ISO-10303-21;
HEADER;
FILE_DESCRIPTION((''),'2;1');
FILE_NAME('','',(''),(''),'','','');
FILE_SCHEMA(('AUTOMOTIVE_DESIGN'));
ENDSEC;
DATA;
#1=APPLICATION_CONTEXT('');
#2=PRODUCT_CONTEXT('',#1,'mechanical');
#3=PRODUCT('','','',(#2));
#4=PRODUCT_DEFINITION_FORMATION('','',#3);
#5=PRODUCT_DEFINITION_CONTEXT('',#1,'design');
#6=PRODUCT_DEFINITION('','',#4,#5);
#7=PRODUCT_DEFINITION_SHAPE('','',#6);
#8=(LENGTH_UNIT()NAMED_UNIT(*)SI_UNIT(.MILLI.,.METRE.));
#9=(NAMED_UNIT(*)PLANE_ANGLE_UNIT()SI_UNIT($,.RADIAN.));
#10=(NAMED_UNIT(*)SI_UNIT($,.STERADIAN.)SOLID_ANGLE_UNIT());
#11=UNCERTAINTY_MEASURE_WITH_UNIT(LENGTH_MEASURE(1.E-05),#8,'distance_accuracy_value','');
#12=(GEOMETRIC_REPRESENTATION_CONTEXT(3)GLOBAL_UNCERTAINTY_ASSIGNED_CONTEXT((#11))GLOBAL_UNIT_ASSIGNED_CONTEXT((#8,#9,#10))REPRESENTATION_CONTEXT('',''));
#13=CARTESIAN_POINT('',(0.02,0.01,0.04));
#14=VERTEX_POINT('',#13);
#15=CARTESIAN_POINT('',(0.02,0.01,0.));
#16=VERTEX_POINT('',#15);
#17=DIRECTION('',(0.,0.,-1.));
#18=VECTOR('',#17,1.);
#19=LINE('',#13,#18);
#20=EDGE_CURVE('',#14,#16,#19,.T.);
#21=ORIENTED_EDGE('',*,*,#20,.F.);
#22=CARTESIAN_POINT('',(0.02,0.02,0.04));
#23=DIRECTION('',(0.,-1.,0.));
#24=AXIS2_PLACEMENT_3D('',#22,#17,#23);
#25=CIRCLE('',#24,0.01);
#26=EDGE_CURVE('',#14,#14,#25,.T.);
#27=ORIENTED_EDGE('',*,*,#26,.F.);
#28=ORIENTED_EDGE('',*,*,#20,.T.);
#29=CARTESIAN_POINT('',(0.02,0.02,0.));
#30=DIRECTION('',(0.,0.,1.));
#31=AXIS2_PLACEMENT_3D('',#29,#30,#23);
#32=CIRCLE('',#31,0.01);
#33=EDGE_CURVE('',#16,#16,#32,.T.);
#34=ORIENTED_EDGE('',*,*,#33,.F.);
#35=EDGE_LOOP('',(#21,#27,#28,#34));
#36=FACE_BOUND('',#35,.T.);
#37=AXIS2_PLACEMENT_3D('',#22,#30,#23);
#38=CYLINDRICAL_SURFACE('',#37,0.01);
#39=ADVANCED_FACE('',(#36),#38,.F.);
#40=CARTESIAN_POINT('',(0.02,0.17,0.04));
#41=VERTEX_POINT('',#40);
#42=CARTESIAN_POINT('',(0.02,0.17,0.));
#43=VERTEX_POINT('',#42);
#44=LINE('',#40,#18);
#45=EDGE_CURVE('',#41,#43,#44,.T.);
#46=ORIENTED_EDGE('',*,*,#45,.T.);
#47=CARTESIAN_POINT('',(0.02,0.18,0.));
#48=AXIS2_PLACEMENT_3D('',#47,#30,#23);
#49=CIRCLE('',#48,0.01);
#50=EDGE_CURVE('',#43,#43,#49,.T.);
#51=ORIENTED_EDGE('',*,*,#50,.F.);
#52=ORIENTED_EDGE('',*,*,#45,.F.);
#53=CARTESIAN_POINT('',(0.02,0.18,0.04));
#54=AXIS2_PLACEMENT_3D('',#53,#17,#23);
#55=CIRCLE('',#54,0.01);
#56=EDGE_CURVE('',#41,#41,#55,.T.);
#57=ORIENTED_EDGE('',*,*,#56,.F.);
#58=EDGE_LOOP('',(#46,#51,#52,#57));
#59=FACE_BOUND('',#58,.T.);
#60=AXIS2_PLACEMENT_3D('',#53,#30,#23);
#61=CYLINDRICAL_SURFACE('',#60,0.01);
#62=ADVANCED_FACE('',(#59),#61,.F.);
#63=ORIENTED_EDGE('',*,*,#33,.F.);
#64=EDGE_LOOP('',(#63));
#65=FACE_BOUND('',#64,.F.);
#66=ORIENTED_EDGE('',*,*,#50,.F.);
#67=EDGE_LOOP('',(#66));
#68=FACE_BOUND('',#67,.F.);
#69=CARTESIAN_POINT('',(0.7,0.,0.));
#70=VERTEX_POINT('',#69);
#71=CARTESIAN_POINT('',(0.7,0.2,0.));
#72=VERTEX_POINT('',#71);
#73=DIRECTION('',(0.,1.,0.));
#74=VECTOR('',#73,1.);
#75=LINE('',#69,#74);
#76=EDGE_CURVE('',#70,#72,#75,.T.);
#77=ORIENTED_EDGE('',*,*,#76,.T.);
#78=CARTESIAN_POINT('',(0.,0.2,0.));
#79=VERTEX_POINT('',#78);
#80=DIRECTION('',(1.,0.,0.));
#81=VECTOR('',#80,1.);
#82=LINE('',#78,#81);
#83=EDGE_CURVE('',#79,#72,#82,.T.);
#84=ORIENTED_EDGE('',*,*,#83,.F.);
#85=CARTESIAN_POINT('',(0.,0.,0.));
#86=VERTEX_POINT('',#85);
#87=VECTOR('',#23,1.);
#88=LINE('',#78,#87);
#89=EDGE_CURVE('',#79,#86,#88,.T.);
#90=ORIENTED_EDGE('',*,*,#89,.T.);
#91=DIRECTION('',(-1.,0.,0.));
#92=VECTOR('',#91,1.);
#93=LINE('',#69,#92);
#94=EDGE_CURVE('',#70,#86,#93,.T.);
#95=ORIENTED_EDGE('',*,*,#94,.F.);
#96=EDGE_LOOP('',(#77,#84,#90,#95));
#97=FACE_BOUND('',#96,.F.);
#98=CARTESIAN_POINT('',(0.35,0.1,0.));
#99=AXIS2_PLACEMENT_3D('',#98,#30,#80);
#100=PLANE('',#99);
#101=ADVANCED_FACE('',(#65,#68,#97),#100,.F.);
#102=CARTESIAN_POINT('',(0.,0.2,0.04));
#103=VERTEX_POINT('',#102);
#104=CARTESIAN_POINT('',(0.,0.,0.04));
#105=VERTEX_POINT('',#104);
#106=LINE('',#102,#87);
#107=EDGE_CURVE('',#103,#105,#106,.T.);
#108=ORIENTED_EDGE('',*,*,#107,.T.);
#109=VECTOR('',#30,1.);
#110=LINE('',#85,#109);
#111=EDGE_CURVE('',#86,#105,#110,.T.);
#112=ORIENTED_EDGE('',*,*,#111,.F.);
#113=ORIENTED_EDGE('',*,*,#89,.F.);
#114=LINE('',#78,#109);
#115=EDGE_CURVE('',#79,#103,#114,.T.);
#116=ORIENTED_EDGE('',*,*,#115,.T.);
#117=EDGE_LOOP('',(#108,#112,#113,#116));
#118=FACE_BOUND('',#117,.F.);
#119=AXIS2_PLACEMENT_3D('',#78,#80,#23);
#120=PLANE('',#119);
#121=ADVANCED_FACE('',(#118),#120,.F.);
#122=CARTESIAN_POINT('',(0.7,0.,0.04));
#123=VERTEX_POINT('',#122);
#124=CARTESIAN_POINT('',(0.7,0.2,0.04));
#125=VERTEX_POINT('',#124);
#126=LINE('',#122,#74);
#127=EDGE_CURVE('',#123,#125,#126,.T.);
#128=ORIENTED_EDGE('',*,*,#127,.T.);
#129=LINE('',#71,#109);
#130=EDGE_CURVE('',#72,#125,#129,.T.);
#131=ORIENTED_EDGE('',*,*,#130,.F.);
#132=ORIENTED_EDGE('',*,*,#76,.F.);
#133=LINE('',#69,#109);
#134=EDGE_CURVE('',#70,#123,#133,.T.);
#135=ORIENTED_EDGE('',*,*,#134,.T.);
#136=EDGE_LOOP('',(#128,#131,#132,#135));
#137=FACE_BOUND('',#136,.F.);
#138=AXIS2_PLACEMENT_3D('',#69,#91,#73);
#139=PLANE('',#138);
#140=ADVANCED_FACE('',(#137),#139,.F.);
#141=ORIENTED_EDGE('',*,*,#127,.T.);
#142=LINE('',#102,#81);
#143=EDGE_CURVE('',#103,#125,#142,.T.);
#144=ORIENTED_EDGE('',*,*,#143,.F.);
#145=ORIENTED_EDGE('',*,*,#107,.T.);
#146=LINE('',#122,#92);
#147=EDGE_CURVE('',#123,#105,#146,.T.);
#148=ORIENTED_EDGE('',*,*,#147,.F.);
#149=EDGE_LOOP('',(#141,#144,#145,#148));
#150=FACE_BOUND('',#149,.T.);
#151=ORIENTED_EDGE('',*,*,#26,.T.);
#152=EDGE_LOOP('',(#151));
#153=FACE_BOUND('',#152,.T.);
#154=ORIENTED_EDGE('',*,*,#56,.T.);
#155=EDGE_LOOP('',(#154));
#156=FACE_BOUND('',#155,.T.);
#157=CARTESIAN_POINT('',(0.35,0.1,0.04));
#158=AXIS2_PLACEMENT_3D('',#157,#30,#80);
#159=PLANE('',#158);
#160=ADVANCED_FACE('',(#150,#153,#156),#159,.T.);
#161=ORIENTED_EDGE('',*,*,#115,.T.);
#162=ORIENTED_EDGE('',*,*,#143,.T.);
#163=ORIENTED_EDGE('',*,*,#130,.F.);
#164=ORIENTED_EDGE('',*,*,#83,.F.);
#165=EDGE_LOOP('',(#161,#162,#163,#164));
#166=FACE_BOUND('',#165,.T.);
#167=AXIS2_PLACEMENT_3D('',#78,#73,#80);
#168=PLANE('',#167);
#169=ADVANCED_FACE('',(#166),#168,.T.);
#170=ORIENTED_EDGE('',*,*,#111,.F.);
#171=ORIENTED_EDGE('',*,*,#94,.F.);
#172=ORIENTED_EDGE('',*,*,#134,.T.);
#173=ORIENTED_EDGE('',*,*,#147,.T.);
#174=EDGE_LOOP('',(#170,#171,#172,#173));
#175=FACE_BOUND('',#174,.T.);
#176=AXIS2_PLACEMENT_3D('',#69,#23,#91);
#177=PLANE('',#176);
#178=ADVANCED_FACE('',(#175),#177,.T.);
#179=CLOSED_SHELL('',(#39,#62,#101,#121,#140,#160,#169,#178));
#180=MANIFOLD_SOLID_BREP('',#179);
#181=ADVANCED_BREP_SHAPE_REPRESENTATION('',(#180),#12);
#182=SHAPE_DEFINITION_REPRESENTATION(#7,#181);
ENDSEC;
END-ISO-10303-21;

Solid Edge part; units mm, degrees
sketch "Sketch1" plane through (0, 0, 0) normal (0, 0, 1) x (1, 0, 0)
  line L0 (0.7, 0) -> (0.7, 0.2)
  line L1 (0, 0.2) -> (0.7, 0.2)
  line L2 (0, 0.2) -> (0, 0)
  line L3 (0.7, 0) -> (0, 0)
  dimension "D1" = 0.2
extrude "Protrusion1" add sketch "Sketch1" along normal blind 0.04
hole "Bohrung_1" at (0.02, 0.02, 0.04) direction (0, 0, -1) diameter 0.02 end through all
hole "Hole1" at (0.02, 0.18, 0.04) direction (0, 0, -1) diameter 0.02 end through all
